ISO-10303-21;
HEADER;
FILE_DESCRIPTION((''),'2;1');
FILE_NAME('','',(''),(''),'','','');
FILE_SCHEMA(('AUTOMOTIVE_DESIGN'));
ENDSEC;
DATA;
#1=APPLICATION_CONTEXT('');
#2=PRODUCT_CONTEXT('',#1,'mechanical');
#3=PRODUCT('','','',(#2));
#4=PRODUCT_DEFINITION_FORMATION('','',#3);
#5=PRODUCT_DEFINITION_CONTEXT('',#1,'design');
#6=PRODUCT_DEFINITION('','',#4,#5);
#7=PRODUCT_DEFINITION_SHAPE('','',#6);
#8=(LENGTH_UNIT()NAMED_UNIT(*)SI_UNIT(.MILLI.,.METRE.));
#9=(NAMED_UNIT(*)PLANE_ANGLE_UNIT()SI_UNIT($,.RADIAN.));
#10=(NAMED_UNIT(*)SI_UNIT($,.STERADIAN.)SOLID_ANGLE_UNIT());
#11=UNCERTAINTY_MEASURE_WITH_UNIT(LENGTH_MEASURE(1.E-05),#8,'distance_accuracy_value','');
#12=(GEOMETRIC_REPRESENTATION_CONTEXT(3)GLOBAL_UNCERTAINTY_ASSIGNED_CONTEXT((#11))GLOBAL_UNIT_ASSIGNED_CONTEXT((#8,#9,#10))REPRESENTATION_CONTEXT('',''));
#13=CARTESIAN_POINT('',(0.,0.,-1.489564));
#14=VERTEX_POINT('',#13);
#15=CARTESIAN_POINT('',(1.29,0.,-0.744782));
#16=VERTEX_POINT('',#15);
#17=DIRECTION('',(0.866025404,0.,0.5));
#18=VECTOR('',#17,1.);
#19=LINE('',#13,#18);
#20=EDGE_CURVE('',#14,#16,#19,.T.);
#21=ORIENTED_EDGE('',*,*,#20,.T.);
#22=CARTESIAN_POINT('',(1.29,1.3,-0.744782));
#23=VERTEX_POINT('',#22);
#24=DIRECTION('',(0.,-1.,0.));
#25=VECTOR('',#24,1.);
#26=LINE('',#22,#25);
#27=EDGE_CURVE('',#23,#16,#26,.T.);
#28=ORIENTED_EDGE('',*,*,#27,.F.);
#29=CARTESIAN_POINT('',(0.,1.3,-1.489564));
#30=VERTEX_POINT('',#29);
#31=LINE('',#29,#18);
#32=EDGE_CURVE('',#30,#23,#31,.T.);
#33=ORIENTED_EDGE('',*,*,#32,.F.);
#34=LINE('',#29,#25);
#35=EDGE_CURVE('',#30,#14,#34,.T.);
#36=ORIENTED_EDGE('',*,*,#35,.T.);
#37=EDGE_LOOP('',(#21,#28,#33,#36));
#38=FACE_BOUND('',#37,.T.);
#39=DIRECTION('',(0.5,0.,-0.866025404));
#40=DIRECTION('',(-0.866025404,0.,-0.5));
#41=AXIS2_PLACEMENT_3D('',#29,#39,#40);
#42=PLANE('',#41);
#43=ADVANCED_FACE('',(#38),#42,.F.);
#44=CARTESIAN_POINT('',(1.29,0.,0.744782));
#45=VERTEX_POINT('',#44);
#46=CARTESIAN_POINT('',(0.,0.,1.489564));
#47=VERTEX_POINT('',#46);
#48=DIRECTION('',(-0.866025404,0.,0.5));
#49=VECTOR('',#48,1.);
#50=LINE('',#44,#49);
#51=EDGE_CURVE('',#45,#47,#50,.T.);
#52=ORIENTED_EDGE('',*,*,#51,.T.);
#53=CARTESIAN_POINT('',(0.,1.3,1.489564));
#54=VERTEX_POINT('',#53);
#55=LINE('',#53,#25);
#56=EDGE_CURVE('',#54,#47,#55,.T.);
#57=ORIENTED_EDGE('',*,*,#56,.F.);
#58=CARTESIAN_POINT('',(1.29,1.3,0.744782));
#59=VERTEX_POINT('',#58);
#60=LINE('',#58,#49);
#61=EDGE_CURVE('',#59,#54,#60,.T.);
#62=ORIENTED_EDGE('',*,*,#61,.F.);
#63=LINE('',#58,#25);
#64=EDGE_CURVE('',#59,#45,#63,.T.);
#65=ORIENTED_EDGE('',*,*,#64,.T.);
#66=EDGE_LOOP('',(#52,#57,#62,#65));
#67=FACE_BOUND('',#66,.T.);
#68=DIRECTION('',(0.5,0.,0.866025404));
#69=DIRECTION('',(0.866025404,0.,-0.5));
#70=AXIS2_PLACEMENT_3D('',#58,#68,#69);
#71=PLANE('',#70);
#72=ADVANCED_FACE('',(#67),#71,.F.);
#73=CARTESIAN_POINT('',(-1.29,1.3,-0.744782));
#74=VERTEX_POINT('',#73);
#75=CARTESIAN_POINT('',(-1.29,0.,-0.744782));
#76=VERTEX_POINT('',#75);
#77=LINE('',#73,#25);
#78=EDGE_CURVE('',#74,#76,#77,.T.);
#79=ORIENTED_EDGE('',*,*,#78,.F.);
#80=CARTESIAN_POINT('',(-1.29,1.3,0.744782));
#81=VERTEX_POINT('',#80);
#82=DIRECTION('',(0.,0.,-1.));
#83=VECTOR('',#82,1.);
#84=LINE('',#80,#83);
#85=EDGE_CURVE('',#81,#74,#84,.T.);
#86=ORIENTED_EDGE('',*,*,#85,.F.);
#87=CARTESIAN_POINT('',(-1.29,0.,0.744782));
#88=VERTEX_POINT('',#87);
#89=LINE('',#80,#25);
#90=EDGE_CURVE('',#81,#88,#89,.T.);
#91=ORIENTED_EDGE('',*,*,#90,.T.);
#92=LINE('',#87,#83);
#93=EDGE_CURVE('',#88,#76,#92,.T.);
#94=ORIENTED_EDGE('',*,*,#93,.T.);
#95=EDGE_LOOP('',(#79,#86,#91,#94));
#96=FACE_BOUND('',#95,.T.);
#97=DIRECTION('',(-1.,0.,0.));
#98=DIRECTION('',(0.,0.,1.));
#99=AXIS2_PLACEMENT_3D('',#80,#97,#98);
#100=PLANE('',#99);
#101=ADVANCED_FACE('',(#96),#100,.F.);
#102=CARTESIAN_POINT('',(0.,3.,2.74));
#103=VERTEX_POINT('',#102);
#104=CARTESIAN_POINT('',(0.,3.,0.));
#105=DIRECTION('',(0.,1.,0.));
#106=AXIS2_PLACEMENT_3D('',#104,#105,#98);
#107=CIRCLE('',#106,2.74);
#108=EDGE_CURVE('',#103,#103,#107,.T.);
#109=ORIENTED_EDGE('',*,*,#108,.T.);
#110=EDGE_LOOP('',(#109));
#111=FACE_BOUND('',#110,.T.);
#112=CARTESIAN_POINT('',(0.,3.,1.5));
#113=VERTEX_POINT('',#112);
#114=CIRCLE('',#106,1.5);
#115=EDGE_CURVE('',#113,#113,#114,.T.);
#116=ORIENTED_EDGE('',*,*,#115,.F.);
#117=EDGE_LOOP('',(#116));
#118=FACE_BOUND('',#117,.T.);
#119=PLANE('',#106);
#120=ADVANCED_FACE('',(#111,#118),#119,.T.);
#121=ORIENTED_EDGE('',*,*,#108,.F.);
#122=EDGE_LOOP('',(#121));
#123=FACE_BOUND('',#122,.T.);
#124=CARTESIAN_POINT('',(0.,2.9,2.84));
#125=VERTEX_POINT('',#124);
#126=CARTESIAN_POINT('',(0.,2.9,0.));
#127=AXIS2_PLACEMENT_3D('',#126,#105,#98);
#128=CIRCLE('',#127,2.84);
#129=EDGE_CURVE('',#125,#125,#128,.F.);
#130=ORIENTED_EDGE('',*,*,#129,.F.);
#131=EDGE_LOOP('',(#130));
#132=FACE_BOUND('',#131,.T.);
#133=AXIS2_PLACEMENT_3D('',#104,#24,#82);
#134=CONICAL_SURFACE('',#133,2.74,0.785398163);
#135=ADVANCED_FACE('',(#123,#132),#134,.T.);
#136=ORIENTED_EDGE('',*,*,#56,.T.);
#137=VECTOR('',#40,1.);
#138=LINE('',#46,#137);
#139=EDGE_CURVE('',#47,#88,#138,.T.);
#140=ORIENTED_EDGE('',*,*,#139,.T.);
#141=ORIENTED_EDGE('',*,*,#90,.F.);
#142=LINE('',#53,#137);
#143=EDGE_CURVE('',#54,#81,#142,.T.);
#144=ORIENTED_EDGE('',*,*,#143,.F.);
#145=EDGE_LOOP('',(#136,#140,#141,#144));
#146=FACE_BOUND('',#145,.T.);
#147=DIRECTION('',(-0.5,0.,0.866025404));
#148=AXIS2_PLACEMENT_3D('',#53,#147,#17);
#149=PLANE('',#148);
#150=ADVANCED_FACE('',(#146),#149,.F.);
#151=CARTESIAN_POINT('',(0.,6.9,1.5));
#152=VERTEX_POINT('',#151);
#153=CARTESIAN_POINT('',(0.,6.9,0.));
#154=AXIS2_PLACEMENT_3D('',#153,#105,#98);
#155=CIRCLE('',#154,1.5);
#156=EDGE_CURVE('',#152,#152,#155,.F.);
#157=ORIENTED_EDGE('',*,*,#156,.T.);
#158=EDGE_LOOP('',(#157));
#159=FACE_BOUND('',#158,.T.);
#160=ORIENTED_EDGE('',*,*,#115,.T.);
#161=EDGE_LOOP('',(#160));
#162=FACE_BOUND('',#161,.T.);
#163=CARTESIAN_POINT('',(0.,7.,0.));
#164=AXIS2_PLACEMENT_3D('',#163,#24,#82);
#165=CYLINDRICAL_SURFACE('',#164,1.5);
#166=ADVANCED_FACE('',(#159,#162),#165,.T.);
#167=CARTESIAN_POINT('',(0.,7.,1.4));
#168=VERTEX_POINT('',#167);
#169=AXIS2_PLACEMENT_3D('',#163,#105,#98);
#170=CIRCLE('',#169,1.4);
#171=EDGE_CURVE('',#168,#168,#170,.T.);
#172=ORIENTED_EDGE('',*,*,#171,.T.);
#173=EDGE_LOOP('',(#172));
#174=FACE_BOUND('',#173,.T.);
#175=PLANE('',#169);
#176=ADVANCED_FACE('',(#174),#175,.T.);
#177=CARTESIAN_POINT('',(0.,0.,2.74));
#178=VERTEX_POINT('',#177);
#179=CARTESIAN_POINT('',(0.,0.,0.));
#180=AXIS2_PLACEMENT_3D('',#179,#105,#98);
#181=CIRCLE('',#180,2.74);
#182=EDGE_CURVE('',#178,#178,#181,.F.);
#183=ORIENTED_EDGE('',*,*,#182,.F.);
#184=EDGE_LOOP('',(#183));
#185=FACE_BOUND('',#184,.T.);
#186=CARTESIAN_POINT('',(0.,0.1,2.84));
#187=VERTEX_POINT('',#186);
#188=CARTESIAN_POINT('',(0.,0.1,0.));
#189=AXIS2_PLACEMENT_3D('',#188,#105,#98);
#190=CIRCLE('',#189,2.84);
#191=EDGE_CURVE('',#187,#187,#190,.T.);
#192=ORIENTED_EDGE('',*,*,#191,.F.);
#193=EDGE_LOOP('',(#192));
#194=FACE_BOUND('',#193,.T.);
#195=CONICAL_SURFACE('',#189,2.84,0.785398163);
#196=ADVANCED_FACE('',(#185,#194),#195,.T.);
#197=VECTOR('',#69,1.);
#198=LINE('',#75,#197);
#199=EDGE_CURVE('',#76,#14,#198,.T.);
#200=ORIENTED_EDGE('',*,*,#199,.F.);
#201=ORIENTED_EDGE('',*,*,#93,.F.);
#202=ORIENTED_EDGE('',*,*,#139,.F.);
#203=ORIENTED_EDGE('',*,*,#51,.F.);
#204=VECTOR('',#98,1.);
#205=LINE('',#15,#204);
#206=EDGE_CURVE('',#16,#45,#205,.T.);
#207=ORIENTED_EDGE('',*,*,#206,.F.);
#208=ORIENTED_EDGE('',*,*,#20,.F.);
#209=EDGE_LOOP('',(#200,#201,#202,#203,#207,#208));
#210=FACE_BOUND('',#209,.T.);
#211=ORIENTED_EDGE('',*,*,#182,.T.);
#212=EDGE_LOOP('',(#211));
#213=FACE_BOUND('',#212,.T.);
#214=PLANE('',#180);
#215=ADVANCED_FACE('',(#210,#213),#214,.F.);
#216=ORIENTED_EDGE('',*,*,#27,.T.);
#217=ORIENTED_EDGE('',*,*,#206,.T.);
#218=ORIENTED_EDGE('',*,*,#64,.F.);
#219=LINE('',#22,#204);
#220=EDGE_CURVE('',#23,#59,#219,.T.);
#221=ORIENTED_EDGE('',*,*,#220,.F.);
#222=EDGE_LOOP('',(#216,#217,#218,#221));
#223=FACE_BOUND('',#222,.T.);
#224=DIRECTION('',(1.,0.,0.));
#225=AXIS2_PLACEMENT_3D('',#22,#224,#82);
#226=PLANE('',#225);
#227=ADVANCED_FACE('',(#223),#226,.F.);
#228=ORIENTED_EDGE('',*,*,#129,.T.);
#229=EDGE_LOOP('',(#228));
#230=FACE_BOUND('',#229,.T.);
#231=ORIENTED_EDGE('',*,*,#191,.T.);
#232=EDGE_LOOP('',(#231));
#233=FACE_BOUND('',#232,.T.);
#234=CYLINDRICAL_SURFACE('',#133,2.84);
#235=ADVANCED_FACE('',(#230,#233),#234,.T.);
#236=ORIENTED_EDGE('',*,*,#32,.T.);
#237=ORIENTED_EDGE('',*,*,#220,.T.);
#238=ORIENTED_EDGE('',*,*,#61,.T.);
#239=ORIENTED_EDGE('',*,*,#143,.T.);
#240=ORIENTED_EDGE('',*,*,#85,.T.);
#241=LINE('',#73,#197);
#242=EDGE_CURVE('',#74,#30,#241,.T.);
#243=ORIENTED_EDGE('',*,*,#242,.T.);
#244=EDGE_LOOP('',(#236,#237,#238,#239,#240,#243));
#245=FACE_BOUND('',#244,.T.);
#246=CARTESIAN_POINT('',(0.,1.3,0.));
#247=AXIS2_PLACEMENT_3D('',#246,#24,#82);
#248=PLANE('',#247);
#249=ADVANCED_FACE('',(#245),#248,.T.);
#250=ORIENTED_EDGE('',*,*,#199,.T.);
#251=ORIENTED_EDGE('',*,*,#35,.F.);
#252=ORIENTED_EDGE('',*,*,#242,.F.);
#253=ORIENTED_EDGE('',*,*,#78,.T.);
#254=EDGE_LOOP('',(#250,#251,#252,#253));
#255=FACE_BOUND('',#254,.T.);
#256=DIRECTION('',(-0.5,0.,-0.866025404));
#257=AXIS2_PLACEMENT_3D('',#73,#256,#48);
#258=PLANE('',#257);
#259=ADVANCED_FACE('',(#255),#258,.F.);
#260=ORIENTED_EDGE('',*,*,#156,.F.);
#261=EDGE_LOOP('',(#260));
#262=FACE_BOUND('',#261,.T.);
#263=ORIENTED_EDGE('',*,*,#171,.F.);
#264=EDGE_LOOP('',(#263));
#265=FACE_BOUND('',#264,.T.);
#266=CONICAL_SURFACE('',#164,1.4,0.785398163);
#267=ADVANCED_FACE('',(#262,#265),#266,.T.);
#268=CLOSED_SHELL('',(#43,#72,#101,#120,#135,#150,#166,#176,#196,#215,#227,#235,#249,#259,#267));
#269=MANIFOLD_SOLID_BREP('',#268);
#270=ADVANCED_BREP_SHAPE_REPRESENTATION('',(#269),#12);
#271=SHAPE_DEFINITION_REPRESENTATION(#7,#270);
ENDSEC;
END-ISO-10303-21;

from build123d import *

# Parameters (mm, degrees)
SKETCH_1_R            = 2.84
EXTRUDE_261_DEPTH     = 3
SKETCH_2_R            = 1.5
EXTRUDE_345_DEPTH     = 4
CUT_EXTRUDE_529_DEPTH = 1.3
CHAMFER_591_SIZE      = 0.1


with BuildPart() as part:
    # 草图1 → Extrude 261 (new body)
    with BuildSketch(Plane(origin=(0, 0, 0), x_dir=(1, 0, 0), z_dir=(0, 1, 0))):
        with Locations(Location((0, 0, 0), (0, 0, 270))):
            Circle(SKETCH_1_R)
    extrude(amount=EXTRUDE_261_DEPTH)

    # 草图2 → Extrude 345 (add)
    with BuildSketch(Plane(origin=(0, 3, 0), x_dir=(1, 0, 0), z_dir=(0, 1, 0))):
        with Locations(Location((0, 0, 0), (0, 0, 270))):
            Circle(SKETCH_2_R)
    extrude(amount=EXTRUDE_345_DEPTH)

    # 草图3 → Cut-Extrude 529 (cut)
    with BuildSketch(Plane.XZ):
        Polygon((1.29, -0.744781847), (1.29, 0.744781847), (0, 1.489563695), (-1.29, 0.744781847), (-1.29, -0.744781847), (0, -1.489563695), align=None)
    extrude(amount=-CUT_EXTRUDE_529_DEPTH, mode=Mode.SUBTRACT)

    # Chamfer 591
    chamfer_591_edges = [part.edges().sort_by_distance(p)[0] for p in [
        (0, 0, -2.84),
        (0, 3, -2.84),
        (0, 7, -1.5),
    ]]
    chamfer(chamfer_591_edges, length=CHAMFER_591_SIZE)


solid = part.part
